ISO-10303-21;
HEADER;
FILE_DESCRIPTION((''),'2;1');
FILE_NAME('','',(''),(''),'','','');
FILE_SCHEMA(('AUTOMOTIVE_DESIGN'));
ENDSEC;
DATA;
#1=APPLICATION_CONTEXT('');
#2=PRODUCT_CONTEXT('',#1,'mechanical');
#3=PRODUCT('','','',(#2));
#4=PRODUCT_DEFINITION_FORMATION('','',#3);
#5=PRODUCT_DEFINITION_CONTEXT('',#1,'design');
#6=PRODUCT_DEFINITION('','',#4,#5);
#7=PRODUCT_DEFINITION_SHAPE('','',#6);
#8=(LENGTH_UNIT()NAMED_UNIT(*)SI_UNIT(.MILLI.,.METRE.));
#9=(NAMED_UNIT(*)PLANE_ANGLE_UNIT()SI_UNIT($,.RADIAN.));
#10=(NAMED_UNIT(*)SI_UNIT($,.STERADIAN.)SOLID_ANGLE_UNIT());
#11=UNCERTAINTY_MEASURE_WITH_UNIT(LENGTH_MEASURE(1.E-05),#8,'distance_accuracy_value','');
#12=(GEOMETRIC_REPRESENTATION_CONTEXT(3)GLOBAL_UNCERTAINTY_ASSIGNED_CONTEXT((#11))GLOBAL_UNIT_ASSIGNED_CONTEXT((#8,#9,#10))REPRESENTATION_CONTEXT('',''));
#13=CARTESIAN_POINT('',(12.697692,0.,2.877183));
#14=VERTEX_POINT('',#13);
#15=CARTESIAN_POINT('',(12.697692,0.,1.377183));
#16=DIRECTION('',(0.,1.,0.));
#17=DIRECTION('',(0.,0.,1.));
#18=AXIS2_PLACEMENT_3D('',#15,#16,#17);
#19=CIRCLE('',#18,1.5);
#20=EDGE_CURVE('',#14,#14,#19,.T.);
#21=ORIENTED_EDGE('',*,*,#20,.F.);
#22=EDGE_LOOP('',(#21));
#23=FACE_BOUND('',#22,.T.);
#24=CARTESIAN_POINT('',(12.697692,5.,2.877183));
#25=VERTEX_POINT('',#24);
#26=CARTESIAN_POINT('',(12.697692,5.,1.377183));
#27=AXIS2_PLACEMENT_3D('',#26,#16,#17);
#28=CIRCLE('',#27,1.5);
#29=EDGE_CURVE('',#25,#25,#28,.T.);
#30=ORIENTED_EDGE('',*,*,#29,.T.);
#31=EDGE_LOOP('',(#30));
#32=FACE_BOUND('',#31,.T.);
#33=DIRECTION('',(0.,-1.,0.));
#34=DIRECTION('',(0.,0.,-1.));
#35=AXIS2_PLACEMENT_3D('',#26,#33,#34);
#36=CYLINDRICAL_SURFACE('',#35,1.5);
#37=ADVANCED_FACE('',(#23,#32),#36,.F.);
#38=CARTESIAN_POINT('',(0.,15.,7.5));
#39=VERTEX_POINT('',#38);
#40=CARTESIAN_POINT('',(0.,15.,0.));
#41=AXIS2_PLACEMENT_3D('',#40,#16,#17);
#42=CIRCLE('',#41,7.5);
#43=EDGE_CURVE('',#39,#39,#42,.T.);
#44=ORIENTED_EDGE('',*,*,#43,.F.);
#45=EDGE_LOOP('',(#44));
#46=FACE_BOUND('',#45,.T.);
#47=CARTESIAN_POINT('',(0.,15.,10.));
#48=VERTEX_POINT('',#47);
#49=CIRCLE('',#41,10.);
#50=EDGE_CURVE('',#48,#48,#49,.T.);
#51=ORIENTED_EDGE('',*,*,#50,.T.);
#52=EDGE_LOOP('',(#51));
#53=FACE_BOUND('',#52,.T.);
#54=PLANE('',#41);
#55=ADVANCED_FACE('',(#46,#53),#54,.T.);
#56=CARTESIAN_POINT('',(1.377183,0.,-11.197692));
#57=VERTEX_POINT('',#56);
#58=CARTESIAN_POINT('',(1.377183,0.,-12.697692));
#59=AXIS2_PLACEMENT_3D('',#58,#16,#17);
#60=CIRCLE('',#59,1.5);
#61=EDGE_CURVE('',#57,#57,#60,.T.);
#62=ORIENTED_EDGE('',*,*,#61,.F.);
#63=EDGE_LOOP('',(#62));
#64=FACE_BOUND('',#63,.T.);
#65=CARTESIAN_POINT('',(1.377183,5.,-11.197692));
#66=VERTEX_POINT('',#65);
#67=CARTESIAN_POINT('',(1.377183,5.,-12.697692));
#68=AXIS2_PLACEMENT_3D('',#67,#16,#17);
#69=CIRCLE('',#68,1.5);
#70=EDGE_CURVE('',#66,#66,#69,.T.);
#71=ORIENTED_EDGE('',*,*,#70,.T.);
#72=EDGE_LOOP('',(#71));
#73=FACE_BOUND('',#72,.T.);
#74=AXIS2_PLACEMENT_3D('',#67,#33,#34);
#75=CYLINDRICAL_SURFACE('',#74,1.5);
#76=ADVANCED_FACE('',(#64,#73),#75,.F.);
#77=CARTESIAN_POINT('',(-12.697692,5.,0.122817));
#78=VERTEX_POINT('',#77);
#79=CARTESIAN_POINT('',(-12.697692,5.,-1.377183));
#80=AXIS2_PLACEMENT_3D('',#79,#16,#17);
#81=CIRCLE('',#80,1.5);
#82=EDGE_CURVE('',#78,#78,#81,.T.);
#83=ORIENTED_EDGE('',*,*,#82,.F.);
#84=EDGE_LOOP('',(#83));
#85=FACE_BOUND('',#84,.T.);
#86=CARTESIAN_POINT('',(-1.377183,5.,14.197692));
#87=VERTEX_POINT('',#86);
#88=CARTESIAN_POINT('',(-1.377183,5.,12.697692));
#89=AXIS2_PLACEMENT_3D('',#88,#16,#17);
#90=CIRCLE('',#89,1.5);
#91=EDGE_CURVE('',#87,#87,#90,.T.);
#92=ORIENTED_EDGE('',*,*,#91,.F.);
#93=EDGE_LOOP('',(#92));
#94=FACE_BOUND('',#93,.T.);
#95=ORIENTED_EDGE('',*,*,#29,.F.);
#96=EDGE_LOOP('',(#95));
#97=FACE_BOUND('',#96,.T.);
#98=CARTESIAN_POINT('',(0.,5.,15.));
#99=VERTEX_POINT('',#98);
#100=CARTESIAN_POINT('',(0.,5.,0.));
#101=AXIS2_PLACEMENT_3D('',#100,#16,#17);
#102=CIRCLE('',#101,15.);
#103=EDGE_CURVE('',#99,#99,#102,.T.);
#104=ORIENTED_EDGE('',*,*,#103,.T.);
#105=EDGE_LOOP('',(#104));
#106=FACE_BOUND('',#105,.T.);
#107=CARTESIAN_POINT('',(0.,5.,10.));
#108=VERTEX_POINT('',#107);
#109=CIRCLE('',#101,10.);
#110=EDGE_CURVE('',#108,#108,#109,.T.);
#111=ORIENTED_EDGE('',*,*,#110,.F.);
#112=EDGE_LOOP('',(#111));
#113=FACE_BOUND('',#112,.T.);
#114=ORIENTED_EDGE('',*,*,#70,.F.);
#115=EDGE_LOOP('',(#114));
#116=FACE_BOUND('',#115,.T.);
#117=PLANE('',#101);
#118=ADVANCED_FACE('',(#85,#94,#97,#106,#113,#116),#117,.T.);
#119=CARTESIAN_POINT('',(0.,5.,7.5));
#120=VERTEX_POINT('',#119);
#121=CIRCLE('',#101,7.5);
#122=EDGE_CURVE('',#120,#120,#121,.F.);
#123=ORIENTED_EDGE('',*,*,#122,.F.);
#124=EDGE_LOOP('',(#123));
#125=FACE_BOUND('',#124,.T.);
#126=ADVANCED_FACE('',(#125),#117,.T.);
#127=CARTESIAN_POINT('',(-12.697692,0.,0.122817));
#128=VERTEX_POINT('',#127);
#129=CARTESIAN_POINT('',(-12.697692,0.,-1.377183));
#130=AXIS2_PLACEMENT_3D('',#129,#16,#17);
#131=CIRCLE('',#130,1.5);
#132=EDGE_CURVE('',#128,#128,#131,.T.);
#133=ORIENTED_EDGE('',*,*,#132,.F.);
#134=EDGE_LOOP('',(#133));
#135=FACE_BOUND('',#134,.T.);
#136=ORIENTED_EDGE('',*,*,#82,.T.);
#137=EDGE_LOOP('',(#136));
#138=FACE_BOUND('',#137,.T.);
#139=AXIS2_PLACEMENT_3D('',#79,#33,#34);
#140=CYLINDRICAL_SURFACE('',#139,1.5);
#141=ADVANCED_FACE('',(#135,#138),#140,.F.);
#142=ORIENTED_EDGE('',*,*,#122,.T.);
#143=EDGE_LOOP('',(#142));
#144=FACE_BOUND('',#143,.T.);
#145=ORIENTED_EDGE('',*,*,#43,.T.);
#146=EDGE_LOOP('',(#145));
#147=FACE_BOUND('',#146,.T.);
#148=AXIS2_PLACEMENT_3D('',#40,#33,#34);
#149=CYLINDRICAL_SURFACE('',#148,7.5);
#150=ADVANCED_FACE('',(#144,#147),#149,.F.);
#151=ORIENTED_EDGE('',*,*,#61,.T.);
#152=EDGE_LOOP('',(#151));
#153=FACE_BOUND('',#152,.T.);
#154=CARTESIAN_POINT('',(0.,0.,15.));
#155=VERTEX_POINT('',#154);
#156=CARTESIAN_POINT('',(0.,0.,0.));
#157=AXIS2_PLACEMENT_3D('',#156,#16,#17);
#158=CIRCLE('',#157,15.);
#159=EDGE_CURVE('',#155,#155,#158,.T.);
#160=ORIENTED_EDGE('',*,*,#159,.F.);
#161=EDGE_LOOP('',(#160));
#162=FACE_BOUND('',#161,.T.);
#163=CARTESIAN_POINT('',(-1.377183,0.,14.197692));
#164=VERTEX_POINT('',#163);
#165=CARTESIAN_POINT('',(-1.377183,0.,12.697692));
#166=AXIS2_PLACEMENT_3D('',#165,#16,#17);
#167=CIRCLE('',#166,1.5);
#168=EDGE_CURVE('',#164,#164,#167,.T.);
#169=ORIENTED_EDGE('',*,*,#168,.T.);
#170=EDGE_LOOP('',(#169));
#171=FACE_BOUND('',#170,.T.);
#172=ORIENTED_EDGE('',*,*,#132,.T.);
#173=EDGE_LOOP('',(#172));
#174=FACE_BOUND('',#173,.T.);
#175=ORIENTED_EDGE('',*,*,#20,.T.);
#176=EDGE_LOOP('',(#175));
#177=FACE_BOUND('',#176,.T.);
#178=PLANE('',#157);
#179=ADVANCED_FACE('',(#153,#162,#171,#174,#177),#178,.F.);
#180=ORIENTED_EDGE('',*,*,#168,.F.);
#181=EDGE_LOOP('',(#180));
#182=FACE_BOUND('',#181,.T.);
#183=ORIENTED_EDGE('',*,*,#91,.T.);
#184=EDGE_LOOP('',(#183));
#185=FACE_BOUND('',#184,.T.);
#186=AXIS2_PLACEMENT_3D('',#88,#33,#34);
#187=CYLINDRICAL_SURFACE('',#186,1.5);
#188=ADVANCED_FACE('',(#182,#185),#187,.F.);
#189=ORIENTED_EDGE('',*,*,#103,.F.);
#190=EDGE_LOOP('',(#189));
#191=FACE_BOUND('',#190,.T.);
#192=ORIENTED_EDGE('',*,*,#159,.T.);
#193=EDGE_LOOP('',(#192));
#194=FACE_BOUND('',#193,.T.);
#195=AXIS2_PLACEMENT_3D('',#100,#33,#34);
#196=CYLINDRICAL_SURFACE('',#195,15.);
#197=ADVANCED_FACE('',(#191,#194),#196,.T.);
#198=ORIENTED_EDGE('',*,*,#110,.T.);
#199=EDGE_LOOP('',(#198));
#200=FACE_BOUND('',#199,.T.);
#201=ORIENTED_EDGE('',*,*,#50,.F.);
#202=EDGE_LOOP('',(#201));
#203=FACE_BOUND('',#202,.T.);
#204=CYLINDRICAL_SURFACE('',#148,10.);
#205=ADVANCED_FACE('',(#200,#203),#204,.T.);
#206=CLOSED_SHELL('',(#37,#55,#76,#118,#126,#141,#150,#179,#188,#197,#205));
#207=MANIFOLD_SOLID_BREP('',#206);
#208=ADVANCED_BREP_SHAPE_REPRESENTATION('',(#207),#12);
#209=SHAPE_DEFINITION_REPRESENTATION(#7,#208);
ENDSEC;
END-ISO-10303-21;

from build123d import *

# Parameters (mm, degrees)
SKETCH1_R           = 15
SKETCH1_R_2         = 1.5
BOSS_EXTRUDE1_DEPTH = 5
SKETCH2_R           = 10
SKETCH2_R_2         = 7.5
BOSS_EXTRUDE2_DEPTH = 10


with BuildPart() as part:
    # Sketch1 → Boss-Extrude1 (new body)
    with BuildSketch(Plane(origin=(0, 0, 0), x_dir=(1, 0, 0), z_dir=(0, 1, 0))):
        with Locations(Location((0, 0, 0), (0, 0, 270))):
            Circle(SKETCH1_R)
        with Locations(Location((-12.697691575, 1.377182715, 0), (0, 0, 270))):
            Circle(SKETCH1_R_2, mode=Mode.SUBTRACT)
        with Locations(Location((1.377182715, 12.697691575, 0), (0, 0, 270))):
            Circle(SKETCH1_R_2, mode=Mode.SUBTRACT)
        with Locations(Location((12.697691575, -1.377182715, 0), (0, 0, 270))):
            Circle(SKETCH1_R_2, mode=Mode.SUBTRACT)
        with Locations(Location((-1.377182715, -12.697691575, 0), (0, 0, 270))):
            Circle(SKETCH1_R_2, mode=Mode.SUBTRACT)
    extrude(amount=BOSS_EXTRUDE1_DEPTH)

    # Sketch2 → Boss-Extrude2 (add)
    with BuildSketch(Plane(origin=(0, 5, 0), x_dir=(1, 0, 0), z_dir=(0, 1, 0))):
        with Locations(Location((0, 0, 0), (0, 0, 270))):
            Circle(SKETCH2_R)
        with Locations(Location((0, 0, 0), (0, 0, 270))):
            Circle(SKETCH2_R_2, mode=Mode.SUBTRACT)
    extrude(amount=BOSS_EXTRUDE2_DEPTH)


solid = part.part
